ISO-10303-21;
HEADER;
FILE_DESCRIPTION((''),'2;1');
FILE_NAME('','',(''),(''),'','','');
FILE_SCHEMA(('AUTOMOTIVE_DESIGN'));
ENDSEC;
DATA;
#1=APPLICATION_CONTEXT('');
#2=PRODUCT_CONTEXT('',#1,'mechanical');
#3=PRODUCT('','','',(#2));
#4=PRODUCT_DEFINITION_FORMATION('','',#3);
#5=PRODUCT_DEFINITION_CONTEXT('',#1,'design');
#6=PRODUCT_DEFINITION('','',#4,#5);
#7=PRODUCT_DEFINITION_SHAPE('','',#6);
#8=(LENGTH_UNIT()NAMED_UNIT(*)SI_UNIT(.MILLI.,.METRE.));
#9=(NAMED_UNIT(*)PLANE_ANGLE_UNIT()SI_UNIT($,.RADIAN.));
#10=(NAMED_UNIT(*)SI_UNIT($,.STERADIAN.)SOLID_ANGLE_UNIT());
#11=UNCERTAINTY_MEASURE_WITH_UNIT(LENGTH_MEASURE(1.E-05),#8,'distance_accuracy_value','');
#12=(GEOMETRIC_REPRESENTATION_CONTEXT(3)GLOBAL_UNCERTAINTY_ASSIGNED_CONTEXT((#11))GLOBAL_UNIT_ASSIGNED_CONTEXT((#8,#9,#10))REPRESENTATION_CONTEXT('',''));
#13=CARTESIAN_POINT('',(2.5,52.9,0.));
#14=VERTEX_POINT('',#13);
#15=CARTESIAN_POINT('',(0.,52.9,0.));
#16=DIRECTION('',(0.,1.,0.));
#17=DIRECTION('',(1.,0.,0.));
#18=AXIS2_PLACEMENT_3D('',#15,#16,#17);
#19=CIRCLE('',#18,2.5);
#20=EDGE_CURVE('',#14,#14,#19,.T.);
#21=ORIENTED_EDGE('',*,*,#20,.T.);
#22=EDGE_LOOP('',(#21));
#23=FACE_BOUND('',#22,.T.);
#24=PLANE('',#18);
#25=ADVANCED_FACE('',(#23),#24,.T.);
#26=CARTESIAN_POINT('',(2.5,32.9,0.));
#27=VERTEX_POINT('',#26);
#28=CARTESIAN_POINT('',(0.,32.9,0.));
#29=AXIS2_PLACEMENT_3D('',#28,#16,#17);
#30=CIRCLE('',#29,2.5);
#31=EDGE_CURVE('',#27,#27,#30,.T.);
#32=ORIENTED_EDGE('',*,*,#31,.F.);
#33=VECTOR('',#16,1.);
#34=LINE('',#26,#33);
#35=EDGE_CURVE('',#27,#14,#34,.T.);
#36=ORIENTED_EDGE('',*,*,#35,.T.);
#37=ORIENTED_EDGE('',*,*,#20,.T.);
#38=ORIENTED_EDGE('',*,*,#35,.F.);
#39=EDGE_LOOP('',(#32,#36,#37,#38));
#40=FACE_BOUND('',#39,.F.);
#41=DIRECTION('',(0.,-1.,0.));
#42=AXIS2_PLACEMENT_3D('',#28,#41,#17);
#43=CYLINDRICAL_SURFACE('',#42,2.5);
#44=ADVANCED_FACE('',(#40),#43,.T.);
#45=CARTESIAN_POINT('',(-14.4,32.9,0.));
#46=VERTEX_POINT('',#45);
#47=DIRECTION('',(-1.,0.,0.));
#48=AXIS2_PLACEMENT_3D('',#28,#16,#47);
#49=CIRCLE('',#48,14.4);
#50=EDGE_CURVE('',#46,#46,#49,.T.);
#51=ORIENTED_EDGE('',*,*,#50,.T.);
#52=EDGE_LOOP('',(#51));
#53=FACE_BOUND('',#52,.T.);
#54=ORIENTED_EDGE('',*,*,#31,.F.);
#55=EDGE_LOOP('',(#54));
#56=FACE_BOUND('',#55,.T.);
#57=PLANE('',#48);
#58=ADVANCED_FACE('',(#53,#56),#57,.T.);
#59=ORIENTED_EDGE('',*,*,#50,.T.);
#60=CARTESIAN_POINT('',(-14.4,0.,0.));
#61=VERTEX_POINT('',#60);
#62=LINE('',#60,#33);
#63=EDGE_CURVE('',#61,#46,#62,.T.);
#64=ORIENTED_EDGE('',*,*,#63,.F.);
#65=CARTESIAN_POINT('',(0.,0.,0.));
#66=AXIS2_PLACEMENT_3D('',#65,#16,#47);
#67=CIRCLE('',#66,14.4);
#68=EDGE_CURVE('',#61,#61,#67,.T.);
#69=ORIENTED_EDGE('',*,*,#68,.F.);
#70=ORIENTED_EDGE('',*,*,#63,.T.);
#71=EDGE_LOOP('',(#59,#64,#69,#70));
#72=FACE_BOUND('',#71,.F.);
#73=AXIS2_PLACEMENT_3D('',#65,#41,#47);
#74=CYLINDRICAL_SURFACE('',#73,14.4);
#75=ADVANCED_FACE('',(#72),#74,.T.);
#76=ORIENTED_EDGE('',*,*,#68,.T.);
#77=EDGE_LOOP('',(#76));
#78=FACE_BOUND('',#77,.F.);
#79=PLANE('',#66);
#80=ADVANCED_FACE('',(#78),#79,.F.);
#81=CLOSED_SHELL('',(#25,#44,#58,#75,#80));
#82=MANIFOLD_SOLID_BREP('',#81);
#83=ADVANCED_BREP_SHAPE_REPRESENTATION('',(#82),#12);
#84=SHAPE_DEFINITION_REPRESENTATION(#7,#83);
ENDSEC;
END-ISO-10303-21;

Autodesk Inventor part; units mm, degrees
ref_plane "YZ Plane" through (0, 0, 0) normal (1, 0, 0) x (0, 1, 0)
ref_plane "XZ Plane" through (0, 0, 0) normal (0, 1, 0) x (-1, 0, 0)
ref_plane "XY Plane" through (0, 0, 0) normal (0, 0, 1) x (1, 0, 0)
sketch "Sketch1" plane through (0, 0, 0) normal (0, 1, 0) x (-1, 0, 0)
  circle A0 centre (0, 0) radius 20 projected
  circle A1 centre (0, 0) radius 14.4
  point P0 (0, 0)
  dimension "d0" = 28.8
extrude "Extrusion1" add sketch "Sketch1" along normal blind 32.9 contours A1
sketch "Sketch2" plane through (0, 32.9, 0) normal (0, 1, 0) x (1, 0, 0)
  circle A0 centre (0, 0) radius 2.5
  dimension "d3" = 5
extrude "Extrusion2" add sketch "Sketch2" along normal blind 20
properties part number "Silnik"
